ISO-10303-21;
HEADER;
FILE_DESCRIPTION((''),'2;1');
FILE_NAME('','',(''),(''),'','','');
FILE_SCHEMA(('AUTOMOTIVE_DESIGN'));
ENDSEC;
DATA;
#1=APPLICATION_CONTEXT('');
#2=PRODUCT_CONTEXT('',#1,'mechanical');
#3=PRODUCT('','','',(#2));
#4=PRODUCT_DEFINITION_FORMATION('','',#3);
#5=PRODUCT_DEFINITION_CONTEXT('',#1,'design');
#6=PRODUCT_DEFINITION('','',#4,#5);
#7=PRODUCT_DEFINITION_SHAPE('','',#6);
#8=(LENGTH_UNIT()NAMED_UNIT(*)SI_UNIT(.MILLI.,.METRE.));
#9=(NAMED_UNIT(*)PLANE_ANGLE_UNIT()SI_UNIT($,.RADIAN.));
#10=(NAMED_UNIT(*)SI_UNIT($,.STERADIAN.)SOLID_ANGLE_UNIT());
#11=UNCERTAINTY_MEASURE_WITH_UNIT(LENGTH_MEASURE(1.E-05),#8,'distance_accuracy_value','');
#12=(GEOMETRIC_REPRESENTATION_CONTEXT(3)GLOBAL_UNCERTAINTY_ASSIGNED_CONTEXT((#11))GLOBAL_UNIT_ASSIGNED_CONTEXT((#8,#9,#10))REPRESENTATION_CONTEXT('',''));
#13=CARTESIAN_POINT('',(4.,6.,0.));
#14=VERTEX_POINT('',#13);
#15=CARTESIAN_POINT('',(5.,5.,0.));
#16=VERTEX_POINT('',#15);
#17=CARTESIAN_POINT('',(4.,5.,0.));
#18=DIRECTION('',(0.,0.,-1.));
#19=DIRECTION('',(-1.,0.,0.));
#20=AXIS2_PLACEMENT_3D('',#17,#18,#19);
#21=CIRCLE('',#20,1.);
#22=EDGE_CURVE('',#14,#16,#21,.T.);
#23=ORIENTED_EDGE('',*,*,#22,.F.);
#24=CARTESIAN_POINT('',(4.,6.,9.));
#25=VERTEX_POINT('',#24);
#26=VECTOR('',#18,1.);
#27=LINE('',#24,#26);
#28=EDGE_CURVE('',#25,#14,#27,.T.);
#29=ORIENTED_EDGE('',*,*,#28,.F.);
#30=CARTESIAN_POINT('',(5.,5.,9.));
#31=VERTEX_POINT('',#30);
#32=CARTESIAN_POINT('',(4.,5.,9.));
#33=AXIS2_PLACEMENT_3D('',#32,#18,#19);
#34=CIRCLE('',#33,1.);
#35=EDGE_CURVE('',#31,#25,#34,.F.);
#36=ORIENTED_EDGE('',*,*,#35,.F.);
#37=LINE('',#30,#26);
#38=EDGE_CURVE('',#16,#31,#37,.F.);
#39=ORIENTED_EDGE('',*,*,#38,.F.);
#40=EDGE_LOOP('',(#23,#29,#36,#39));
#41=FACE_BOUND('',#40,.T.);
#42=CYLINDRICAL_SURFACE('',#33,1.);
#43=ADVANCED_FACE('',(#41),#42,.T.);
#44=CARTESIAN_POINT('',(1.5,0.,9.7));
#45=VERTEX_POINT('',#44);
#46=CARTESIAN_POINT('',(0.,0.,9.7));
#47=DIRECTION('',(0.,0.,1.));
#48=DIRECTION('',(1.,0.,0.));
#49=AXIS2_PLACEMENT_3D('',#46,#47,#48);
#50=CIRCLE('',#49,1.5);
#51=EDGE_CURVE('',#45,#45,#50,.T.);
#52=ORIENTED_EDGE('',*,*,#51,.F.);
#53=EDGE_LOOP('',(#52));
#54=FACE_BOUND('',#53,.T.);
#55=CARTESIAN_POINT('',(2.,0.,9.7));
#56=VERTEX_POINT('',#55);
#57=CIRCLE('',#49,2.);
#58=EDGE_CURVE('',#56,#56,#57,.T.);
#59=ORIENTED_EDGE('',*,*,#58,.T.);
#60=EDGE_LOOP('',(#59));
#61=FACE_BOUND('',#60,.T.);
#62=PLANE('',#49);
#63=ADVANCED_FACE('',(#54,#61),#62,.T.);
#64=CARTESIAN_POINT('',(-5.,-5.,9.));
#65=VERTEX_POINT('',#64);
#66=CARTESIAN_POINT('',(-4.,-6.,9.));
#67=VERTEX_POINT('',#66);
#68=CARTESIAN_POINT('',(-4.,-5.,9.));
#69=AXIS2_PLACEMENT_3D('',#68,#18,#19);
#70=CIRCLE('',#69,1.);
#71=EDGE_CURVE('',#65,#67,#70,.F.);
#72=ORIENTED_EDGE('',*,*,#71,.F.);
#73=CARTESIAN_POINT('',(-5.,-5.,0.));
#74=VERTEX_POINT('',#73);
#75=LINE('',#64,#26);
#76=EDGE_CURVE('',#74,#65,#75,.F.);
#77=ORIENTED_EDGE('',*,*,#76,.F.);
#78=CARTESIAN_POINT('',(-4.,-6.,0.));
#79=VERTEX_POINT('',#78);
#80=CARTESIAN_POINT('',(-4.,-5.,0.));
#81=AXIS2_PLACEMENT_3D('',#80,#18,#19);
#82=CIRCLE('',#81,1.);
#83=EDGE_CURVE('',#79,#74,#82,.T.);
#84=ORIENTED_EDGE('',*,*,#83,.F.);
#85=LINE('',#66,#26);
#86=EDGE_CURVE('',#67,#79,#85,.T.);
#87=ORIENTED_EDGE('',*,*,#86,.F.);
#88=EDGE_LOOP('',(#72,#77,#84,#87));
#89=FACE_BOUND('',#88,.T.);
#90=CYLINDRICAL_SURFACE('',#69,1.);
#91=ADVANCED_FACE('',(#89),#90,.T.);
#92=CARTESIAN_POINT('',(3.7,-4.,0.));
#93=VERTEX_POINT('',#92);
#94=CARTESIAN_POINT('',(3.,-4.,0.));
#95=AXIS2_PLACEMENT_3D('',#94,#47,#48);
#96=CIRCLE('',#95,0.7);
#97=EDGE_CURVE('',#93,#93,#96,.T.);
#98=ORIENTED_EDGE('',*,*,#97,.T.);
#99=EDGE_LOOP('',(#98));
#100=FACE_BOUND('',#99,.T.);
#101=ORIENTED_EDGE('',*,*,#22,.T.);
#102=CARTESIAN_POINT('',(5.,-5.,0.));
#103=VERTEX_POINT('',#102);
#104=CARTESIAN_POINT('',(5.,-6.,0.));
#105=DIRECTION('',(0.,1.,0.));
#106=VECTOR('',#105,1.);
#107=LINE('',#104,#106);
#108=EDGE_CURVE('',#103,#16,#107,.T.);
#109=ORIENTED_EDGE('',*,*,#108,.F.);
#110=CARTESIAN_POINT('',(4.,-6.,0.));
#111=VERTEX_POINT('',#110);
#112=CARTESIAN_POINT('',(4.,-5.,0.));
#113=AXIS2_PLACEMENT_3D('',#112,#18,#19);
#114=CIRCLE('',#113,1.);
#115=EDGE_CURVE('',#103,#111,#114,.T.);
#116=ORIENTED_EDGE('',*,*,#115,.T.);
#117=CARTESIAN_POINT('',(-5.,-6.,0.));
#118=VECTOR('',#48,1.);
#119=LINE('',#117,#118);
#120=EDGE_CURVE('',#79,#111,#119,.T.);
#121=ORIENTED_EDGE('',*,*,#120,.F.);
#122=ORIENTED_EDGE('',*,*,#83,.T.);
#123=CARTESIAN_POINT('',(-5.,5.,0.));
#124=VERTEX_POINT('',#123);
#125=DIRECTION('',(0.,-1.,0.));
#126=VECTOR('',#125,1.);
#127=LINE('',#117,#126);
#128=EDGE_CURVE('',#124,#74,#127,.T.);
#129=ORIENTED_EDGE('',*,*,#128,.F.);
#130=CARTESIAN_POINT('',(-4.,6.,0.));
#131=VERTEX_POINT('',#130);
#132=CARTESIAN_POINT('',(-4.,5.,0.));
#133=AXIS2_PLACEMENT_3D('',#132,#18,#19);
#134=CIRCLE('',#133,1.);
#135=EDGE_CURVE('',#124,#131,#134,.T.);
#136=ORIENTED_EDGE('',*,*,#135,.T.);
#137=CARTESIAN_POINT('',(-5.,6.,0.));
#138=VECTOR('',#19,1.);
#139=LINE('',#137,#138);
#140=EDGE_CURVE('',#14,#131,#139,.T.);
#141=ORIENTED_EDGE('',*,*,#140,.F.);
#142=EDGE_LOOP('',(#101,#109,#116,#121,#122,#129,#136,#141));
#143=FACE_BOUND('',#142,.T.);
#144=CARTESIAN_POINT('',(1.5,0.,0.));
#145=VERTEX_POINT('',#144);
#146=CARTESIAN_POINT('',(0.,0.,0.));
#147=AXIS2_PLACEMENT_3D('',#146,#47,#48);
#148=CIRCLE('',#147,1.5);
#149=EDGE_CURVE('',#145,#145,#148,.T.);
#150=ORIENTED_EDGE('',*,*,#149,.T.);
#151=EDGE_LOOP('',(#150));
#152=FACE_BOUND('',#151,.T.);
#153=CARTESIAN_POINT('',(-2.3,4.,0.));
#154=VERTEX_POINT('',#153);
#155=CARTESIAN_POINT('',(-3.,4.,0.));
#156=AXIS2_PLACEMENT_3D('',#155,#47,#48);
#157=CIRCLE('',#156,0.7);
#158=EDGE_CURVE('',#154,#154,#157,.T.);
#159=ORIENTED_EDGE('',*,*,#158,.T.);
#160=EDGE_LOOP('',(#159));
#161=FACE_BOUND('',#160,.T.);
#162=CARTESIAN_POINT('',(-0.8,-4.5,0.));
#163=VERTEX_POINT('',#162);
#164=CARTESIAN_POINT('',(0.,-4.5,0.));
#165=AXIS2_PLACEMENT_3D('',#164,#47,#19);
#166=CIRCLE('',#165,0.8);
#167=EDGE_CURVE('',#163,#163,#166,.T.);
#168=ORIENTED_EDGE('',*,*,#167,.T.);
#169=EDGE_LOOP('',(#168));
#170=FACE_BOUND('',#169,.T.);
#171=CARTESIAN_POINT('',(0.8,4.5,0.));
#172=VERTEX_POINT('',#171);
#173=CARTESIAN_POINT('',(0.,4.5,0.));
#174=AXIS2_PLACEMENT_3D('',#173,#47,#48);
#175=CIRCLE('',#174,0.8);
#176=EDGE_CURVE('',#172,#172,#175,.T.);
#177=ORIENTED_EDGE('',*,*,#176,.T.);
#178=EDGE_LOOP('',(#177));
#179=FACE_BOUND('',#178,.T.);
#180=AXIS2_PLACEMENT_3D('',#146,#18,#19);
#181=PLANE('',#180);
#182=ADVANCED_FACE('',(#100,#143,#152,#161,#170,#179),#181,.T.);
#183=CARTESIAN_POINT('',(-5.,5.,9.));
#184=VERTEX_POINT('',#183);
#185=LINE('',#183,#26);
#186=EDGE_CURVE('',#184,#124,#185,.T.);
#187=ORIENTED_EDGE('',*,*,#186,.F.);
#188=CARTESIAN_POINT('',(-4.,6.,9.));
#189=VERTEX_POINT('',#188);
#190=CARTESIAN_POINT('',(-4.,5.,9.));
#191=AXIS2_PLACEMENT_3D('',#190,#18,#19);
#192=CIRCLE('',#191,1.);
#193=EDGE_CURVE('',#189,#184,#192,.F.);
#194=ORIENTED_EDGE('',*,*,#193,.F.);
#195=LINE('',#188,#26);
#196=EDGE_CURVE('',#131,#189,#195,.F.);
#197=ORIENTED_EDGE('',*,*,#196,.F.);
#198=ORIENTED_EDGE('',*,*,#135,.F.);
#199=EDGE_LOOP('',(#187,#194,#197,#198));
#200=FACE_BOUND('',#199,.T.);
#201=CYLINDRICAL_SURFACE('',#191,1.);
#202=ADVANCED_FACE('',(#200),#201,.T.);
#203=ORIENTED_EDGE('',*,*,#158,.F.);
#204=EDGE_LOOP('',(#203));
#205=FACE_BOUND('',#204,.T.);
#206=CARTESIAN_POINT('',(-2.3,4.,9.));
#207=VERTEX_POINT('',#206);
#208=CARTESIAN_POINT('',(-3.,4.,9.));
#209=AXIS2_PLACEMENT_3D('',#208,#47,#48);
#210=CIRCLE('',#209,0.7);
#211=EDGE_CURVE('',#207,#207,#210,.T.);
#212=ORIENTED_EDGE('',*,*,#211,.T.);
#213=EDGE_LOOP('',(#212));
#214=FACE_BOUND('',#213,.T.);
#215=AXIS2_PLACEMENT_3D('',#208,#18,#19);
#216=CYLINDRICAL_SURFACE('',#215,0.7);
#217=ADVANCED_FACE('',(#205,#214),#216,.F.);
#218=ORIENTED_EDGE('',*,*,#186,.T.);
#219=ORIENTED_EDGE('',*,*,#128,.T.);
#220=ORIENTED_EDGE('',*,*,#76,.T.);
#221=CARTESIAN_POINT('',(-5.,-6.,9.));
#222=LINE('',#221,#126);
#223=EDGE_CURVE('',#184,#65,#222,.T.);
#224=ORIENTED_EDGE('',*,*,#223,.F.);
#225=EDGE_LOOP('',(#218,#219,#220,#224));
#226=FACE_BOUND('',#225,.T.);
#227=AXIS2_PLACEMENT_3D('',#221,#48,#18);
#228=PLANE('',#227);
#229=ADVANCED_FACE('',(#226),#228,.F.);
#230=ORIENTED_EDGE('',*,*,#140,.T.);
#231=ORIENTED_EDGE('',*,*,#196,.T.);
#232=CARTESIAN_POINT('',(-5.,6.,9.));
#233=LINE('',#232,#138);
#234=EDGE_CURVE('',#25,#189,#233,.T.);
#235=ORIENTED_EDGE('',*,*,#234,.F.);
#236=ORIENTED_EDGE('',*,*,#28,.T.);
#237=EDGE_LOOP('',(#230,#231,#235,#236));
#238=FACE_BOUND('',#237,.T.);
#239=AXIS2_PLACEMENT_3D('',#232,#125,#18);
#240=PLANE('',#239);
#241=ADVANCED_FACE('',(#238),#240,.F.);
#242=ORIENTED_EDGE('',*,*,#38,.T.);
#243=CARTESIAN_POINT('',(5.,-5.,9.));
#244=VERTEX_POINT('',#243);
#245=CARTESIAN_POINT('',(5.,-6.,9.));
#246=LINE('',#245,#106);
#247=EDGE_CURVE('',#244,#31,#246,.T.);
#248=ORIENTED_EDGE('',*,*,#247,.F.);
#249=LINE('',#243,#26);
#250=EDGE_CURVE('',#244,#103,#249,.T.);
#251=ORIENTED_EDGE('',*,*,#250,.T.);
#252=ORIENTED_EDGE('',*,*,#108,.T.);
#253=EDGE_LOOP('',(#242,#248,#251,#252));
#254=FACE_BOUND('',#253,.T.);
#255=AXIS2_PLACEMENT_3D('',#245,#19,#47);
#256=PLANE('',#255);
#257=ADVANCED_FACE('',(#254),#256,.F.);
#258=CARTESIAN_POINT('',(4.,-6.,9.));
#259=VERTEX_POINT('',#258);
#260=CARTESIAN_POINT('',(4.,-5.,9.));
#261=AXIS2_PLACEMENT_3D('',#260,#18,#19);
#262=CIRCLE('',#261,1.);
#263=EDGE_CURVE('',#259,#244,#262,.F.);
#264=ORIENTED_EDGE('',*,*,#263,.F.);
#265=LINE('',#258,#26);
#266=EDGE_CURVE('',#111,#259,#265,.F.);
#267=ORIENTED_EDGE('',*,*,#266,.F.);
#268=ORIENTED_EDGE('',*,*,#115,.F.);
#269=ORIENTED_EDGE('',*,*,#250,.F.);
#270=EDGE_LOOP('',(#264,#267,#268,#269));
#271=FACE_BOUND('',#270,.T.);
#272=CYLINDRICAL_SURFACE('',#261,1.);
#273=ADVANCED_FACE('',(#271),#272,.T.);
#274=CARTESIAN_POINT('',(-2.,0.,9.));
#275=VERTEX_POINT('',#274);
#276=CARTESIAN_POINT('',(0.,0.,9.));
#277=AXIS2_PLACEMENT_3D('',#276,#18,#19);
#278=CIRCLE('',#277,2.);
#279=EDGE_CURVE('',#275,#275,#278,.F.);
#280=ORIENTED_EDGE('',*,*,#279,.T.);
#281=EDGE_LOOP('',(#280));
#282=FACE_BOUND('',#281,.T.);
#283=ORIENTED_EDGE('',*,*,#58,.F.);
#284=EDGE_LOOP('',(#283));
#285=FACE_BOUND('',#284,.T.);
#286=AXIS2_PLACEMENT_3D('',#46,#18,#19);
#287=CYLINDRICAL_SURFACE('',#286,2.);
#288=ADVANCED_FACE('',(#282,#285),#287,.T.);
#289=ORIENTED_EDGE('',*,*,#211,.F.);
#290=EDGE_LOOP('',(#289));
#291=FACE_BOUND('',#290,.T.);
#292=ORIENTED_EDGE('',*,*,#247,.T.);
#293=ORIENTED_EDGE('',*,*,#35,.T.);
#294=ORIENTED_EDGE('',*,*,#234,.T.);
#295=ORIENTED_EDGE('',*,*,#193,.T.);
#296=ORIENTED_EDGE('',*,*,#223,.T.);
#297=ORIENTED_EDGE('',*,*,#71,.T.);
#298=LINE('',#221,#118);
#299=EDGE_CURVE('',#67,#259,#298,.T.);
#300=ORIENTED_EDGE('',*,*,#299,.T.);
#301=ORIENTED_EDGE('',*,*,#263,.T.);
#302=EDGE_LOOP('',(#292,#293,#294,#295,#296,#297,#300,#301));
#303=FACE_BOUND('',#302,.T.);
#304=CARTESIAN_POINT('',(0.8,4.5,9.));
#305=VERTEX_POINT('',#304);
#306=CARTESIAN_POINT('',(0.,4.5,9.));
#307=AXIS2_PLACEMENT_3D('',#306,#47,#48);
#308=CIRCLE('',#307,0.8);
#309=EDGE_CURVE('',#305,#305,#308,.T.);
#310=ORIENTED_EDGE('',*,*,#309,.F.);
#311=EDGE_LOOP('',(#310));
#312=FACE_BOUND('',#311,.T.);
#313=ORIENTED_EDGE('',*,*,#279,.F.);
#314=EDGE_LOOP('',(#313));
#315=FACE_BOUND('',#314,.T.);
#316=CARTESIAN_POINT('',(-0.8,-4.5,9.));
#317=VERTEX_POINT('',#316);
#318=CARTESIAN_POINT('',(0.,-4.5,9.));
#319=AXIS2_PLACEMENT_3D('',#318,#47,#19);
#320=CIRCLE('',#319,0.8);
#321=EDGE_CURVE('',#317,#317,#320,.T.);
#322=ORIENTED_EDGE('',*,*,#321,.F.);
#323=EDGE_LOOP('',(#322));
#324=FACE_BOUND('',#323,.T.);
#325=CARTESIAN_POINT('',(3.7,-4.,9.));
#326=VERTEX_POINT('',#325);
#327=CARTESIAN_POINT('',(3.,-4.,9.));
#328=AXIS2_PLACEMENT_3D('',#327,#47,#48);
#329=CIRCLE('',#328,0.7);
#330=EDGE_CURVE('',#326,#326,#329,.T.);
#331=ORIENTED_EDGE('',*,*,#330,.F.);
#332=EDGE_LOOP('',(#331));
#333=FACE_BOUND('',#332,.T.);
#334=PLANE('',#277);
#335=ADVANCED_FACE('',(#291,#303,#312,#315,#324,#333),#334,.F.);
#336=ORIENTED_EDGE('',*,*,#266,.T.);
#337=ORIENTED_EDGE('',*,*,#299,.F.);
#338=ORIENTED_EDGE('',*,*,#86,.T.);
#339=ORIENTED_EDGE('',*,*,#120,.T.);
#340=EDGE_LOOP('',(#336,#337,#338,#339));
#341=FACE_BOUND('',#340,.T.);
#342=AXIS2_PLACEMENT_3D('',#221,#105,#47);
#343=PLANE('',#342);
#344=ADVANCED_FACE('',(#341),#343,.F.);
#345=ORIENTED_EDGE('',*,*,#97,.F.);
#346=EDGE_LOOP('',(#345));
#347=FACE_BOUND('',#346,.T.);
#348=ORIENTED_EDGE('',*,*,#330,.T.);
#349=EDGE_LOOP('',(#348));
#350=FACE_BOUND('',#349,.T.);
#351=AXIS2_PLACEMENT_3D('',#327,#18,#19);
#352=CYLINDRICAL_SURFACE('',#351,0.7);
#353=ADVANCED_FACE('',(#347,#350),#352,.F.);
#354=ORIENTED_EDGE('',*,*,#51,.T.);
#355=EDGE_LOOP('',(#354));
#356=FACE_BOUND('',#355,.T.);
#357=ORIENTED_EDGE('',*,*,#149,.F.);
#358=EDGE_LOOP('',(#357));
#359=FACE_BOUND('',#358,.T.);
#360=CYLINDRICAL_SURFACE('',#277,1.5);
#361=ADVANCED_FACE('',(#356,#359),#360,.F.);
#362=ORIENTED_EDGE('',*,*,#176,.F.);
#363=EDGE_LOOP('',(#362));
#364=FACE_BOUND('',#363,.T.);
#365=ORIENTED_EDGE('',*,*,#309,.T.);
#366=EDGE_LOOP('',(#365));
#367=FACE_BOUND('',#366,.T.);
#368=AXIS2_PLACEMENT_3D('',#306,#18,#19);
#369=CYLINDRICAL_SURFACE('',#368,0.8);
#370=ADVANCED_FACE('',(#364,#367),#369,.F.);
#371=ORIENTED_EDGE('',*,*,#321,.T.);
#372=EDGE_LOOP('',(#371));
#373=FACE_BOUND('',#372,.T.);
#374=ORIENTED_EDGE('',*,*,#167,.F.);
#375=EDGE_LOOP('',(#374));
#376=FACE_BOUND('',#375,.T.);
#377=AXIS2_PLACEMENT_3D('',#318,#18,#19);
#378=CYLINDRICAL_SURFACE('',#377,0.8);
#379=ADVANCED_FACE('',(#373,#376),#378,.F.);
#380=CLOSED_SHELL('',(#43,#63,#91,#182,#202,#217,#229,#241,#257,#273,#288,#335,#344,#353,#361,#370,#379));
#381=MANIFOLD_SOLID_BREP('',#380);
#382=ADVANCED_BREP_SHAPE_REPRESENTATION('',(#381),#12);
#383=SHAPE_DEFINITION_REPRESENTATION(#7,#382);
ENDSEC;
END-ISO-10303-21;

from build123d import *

# Parameters (mm, degrees)
SKETCH_1_W      = 10
SKETCH_1_H      = 12
SKETCH_1_R      = 1.5
SKETCH_1_R_2    = 0.8
SKETCH_1_R_3    = 0.7
EXTRUDE_1_DEPTH = 9
SKETCH_2_R      = 2
SKETCH_2_R_2    = 1.5
EXTRUDE_2_DEPTH = 0.7
FILLET_1_R      = 1


with BuildPart() as part:
    # 草图1 → 凸台-拉伸1 (new body)
    with BuildSketch(Plane.XY):
        Rectangle(SKETCH_1_W, SKETCH_1_H)
        Circle(SKETCH_1_R, mode=Mode.SUBTRACT)
        with Locations((0, 4.5)):
            Circle(SKETCH_1_R_2, mode=Mode.SUBTRACT)
        with Locations(Location((0, -4.5, 0), (0, 0, 180))):
            Circle(SKETCH_1_R_2, mode=Mode.SUBTRACT)
        with Locations((-3, 4)):
            Circle(SKETCH_1_R_3, mode=Mode.SUBTRACT)
        with Locations((3, -4)):
            Circle(SKETCH_1_R_3, mode=Mode.SUBTRACT)
    extrude(amount=EXTRUDE_1_DEPTH)

    # 草图2 → 凸台-拉伸2 (add)
    with BuildSketch(Plane.XY.offset(9)):
        with Locations(Location((0, 0, 0), (0, 0, 180))):
            Circle(SKETCH_2_R)
        Circle(SKETCH_2_R_2, mode=Mode.SUBTRACT)
    extrude(amount=EXTRUDE_2_DEPTH)

    # 圆角1
    fillet_1_edges = [part.edges().sort_by_distance(p)[0] for p in [
        (5, -6, 4.5),
        (-5, -6, 4.5),
        (-5, 6, 4.5),
        (5, 6, 4.5),
    ]]
    fillet(fillet_1_edges, radius=FILLET_1_R)


solid = part.part
